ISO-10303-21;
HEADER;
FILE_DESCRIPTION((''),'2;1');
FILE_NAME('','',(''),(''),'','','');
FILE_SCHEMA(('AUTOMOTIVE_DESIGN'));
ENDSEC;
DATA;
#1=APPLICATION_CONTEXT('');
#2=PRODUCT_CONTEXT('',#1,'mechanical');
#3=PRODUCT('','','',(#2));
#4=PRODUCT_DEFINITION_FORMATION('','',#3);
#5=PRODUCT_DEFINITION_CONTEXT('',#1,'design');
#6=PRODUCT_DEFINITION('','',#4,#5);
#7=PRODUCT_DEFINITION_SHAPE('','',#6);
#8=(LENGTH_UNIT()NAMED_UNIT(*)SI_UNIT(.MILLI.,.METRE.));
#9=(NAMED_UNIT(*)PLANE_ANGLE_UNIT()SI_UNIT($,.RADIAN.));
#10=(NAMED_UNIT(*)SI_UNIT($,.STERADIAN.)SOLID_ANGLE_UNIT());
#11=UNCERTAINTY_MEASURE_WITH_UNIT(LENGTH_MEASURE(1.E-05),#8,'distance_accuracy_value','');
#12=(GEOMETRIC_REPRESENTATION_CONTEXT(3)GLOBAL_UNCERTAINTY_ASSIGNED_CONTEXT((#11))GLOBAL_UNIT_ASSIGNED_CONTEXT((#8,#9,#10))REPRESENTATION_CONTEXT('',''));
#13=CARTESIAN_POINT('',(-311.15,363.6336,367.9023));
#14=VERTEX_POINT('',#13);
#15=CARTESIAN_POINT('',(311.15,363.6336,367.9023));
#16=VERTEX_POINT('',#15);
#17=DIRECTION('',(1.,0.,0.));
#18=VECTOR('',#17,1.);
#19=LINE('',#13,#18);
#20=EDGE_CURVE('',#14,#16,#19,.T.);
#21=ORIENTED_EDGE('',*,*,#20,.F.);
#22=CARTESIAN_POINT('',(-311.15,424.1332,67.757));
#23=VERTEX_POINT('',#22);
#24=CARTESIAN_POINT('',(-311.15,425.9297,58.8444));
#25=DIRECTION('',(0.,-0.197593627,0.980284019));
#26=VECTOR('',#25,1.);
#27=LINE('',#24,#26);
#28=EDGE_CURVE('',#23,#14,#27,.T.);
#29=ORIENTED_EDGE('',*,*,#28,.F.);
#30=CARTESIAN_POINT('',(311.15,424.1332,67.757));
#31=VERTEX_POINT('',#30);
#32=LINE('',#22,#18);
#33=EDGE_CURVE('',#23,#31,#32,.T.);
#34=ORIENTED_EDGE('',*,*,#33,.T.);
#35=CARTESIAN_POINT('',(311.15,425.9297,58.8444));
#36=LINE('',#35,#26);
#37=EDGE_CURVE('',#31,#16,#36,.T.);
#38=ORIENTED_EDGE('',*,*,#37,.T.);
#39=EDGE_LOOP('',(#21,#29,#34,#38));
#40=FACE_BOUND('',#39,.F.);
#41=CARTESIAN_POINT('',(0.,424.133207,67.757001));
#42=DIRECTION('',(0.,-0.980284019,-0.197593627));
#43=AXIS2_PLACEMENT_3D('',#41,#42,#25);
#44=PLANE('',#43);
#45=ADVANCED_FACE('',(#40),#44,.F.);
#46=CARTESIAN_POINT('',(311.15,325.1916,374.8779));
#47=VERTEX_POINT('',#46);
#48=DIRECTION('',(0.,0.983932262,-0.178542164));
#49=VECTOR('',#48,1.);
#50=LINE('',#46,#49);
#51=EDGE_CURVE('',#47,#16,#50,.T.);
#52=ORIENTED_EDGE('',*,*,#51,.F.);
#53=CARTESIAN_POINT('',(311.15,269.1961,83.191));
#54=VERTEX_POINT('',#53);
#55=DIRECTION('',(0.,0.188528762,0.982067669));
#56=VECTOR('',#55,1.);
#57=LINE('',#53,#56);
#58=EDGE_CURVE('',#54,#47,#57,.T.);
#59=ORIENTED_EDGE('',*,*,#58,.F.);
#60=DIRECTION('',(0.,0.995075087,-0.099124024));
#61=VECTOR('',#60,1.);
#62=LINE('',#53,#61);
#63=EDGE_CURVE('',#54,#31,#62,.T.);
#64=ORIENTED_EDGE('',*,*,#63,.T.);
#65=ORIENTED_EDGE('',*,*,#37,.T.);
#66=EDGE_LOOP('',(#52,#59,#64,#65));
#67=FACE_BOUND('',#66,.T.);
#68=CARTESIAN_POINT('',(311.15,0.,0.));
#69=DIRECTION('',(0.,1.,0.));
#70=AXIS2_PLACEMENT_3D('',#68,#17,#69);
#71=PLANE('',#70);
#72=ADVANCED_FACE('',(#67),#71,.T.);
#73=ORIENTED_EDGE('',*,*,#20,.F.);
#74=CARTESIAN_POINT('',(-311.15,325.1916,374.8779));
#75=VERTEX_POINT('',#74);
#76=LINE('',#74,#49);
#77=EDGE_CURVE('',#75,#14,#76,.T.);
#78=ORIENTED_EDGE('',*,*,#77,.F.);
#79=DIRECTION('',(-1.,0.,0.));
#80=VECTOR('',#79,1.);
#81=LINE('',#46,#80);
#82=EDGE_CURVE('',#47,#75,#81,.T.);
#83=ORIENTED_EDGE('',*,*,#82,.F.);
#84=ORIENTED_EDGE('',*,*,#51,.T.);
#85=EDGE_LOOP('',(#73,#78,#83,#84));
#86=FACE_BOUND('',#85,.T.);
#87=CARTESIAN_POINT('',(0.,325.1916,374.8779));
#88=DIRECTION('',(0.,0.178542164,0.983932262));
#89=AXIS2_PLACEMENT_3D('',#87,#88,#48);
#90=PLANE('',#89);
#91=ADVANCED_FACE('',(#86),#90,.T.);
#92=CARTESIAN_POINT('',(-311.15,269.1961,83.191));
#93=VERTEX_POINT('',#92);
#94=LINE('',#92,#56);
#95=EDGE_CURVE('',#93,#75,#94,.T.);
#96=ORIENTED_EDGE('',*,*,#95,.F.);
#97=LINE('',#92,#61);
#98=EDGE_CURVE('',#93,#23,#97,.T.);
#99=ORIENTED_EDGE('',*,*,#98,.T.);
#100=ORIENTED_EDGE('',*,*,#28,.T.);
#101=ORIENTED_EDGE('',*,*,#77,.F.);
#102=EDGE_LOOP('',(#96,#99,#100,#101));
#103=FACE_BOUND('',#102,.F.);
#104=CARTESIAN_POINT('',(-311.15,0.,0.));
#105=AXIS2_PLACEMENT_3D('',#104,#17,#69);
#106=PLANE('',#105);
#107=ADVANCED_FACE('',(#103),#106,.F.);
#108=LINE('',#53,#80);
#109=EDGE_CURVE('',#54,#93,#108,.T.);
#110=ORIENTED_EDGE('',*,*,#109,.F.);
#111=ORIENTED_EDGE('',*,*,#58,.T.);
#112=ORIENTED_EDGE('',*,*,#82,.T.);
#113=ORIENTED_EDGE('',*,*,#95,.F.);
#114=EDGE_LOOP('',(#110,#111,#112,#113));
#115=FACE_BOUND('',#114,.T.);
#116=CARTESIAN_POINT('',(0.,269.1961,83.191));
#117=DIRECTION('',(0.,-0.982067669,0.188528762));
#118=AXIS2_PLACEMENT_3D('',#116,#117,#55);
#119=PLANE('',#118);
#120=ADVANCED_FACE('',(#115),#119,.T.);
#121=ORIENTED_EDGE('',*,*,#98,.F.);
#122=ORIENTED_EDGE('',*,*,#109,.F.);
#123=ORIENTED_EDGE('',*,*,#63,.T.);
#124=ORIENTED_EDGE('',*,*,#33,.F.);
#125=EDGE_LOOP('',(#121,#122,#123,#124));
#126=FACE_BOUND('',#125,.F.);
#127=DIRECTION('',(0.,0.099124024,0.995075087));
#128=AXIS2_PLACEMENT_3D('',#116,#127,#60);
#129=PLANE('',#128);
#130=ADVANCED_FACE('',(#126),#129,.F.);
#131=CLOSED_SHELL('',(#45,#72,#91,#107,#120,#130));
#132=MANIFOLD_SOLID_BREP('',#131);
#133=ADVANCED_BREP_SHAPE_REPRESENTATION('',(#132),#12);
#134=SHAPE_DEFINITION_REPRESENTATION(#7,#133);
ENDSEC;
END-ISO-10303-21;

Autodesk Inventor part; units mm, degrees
ref_plane "YZ Plane" through (0, 0, 0) normal (1, 0, 0) x (0, 1, 0)
ref_plane "XZ Plane" through (0, 0, 0) normal (0, 1, 0) x (-1, 0, 0)
ref_plane "XY Plane" through (0, 0, 0) normal (0, 0, 1) x (1, 0, 0)
sketch "Robot Front End" plane through (0, 0, 0) normal (1, 0, 0) x (0, 1, 0)
  circle A0 centre (127, -196.85) radius 127
  line L0 (304.8, 0) -> (177.8, 0)
  line L1 (177.8, 0) -> (177.8, 50.8)
  line L2 (209.55, 82.55) -> (273.05, 82.55)
  line L3 (304.8, 50.8) -> (304.8, 0)
  line L4 (0, -1177.7856) -> (0, 1643.8138) projected
  line L5 (-567.69, 0) -> (1050.29, 0) projected
  arc A1 (209.55, 82.55) -> (177.8, 50.8) centre (209.55, 50.8) ccw
  arc A2 (304.8, 50.8) -> (273.05, 82.55) centre (273.05, 50.8) ccw
  line L6 (241.3, 381) -> (0, 381) construction
  circle A3 centre (165.1, -196.85) radius 9.525
  circle A4 centre (241.3, -196.85) radius 25.4
  circle A5 centre (241.3, -196.85) radius 281.427 construction
  circle A6 centre (241.3, -196.85) radius 577.85 construction
  line L7 (165.1, -196.85) -> (241.3, -196.85) construction
  point P0 (0, 0)
  point P1 (177.8, 82.55)
  point P2 (304.8, 82.55)
  dimension "d76" = 254
  dimension "d77" = 127
  dimension "d78" = 82.55
  dimension "d79" = 304.8
  dimension "d80" = 196.85
  dimension "d81" = 31.75
  dimension "d82" = 381
  dimension "d104" = 19.05
  dimension "d105" = 165.1
  dimension "d110" = 50.8
  dimension "d128" = 76.2
sketch "Portcullis" plane through (0, 0, 0) normal (1, 0, 0) x (0, 1, 0)
  line L0 (0, 1071.5852) -> (76.2, 776.4639)
  line L1 (76.2, 776.4639) -> (76.2, 166.8639)
  line L2 (76.2, 166.8639) -> (0, -128.2574)
  line L3 (0, -1177.7856) -> (0, 1643.8138) projected
  line L4 (-567.69, 0) -> (1050.29, 0) projected
  line L5 (76.2, 379.7426) -> (285.0269, 379.7426) construction
  line L6 (203.2, 379.7426) -> (203.2, 475.769)
  line L7 (241.3, 381) -> (0, 381) projected
  circle A0 centre (241.3, -196.85) radius 577.85 construction
  point P0 (0, 0)
  dimension "d83" = 304.8
  dimension "d84" = 609.6
  dimension "d85" = 76.2
  dimension "d86" = 508
  dimension "d87" = 127
sketch "Ball Attack" plane through (0, 0, 0) normal (1, 0, 0) x (0, 1, 0)
  line L0 (0, -1177.7856) -> (0, 1643.8138) construction
  circle A0 centre (241.3, -196.85) radius 281.427 construction
  circle A1 centre (241.3, -196.85) radius 577.85 construction
  circle A2 centre (241.3, -196.85) radius 25.4 construction
  circle A3 centre (127, 233.7148) radius 127 construction
  line L1 (112.0448, 53.1385) -> (217.7767, -206.4319)
  line L2 (0, 328.2071) -> (112.0448, 53.1385)
  line L3 (18.1025, 299.0626) -> (94.7574, 110.8758)
  arc A4 (112.0448, 53.1385) -> (0, -52.021) centre (241.3, -196.85) ccw
  line L4 (3.1764, 320.4091) -> (196.7074, 399.2409) construction
  line L5 (98.995, 85.1756) -> (292.526, 164.0074) construction
  line L6 (196.7074, 399.2409) -> (292.526, 164.0074) construction
  line L7 (244.6167, 281.6241) -> (9.3833, 185.8055) construction
  line L8 (0, 328.2071) -> (193.531, 407.0389) construction
  line L9 (111.6779, 54.0392) -> (304.6402, 134.2674) construction
  dimension "d111" = 254
  dimension "d113" = 203.2
sketch "Portcullis attack" plane through (0, 0, 0) normal (1, 0, 0) x (0, 1, 0)
  line L0 (203.2, 379.7426) -> (203.2, 475.769) construction
  line L1 (241.3, 381) -> (0, 381) construction
  circle A0 centre (127, -196.85) radius 127 construction
  line L2 (304.8, 50.8) -> (304.8, 0) construction
  arc A1 (304.8, 50.8) -> (273.05, 82.55) centre (273.05, 50.8) ccw construction
  line L3 (209.55, 82.55) -> (273.05, 82.55) construction
  line L4 (202.2679, 382.7157) -> (297.5125, 78.9059)
  line L5 (127, -196.85) -> (127, -196.85) construction
  line L6 (76.2, 776.4639) -> (76.2, 166.8639) construction
  line L7 (76.2, 166.8639) -> (0, -128.2574) construction
  circle A2 centre (165.1, -196.85) radius 9.525 projected
  circle A3 centre (241.3, -196.85) radius 25.4 construction
  circle A4 centre (241.3, -196.85) radius 577.85 construction
  circle A5 centre (241.3, -196.85) radius 281.427 construction
  line L8 (215.9, -196.85) -> (241.3, 381) construction
  arc A6 (228.2571, 84.2746) -> (138.1991, 65.0113) centre (241.3, -196.85) ccw construction
  arc A7 (112.0448, 53.1385) -> (0, -52.021) centre (241.3, -196.85) ccw construction
  line L9 (202.2679, 382.7157) -> (241.3, 381)
  point P0 (0, 0)
  point P1 (0, 381)
sketch "Cheval de Frise" plane through (0, 0, 0) normal (1, 0, 0) x (0, 1, 0)
  line L0 (0, 1240.7281) -> (76.2, 945.6068)
  line L1 (76.2, 945.6068) -> (76.2, 336.0068)
  line L2 (76.2, 336.0068) -> (0, 40.8855)
  line L3 (0, -1177.7856) -> (0, 1643.8138) projected
  line L4 (-567.69, 0) -> (1050.29, 0) projected
  line L5 (171.45, 640.8068) -> (76.2, 640.8068)
  circle A0 centre (171.45, 640.8068) radius 25.4
  line L6 (87.8983, 936.3973) -> (76.2, 931.4537)
  line L7 (76.2, 931.4537) -> (194.8466, 650.694)
  line L8 (313.4933, 369.9343) -> (325.1916, 374.8779)
  line L9 (325.1916, 374.8779) -> (87.8983, 936.3973)
  line L10 (194.8466, 650.694) -> (313.4933, 369.9343)
  circle A1 centre (241.3, -196.85) radius 577.85 construction
  point P0 (0, 0)
  dimension "d92" = 50.8
  dimension "d88" = 304.8
  dimension "d89" = 609.6
  dimension "d90" = 76.2
  dimension "d91" = 95.25
  dimension "d93" = 12.7
  dimension "d94" = 609.6
sketch "Cheval de Frise attack" plane through (0, 0, 0) normal (1, 0, 0) x (0, 1, 0)
  line L0 (0, -1177.7856) -> (0, 1643.8138) construction
  line L1 (325.1916, 374.8779) -> (87.8983, 936.3973) construction
  line L2 (313.4933, 369.9343) -> (325.1916, 374.8779) construction
  line L3 (203.2, 379.7426) -> (297.5125, 78.9059) construction
  line L4 (425.9297, 58.8444) -> (363.6336, 367.9023)
  line L5 (325.1916, 374.8779) -> (363.6336, 367.9023)
  circle A0 centre (241.3, -196.85) radius 577.85 construction
  circle A1 centre (241.3, -196.85) radius 281.427 construction
  circle A2 centre (241.3, -196.85) radius 25.4 construction
  line L6 (0, 328.2071) -> (112.0448, 53.1385) construction
  line L7 (202.2679, 382.7157) -> (241.3, 381) projected
  line L8 (269.1961, 83.191) -> (424.1332, 67.757)
  line L9 (269.1961, 83.191) -> (216.3555, -192.0614)
  line L10 (269.1961, 83.191) -> (325.1916, 374.8779)
  line L11 (241.3, -196.85) -> (294.3571, 79.5303)
  point P0 (0, 0)
  point P1 (0, 381)
  point P2 (200.025, -196.85)
  point P3 (112.0448, 53.1385)
  dimension "d125" = 39.0698
extrude "Extrusion6" add sketch "Cheval de Frise attack" along normal mid plane 622.3
properties part number "Prow"
